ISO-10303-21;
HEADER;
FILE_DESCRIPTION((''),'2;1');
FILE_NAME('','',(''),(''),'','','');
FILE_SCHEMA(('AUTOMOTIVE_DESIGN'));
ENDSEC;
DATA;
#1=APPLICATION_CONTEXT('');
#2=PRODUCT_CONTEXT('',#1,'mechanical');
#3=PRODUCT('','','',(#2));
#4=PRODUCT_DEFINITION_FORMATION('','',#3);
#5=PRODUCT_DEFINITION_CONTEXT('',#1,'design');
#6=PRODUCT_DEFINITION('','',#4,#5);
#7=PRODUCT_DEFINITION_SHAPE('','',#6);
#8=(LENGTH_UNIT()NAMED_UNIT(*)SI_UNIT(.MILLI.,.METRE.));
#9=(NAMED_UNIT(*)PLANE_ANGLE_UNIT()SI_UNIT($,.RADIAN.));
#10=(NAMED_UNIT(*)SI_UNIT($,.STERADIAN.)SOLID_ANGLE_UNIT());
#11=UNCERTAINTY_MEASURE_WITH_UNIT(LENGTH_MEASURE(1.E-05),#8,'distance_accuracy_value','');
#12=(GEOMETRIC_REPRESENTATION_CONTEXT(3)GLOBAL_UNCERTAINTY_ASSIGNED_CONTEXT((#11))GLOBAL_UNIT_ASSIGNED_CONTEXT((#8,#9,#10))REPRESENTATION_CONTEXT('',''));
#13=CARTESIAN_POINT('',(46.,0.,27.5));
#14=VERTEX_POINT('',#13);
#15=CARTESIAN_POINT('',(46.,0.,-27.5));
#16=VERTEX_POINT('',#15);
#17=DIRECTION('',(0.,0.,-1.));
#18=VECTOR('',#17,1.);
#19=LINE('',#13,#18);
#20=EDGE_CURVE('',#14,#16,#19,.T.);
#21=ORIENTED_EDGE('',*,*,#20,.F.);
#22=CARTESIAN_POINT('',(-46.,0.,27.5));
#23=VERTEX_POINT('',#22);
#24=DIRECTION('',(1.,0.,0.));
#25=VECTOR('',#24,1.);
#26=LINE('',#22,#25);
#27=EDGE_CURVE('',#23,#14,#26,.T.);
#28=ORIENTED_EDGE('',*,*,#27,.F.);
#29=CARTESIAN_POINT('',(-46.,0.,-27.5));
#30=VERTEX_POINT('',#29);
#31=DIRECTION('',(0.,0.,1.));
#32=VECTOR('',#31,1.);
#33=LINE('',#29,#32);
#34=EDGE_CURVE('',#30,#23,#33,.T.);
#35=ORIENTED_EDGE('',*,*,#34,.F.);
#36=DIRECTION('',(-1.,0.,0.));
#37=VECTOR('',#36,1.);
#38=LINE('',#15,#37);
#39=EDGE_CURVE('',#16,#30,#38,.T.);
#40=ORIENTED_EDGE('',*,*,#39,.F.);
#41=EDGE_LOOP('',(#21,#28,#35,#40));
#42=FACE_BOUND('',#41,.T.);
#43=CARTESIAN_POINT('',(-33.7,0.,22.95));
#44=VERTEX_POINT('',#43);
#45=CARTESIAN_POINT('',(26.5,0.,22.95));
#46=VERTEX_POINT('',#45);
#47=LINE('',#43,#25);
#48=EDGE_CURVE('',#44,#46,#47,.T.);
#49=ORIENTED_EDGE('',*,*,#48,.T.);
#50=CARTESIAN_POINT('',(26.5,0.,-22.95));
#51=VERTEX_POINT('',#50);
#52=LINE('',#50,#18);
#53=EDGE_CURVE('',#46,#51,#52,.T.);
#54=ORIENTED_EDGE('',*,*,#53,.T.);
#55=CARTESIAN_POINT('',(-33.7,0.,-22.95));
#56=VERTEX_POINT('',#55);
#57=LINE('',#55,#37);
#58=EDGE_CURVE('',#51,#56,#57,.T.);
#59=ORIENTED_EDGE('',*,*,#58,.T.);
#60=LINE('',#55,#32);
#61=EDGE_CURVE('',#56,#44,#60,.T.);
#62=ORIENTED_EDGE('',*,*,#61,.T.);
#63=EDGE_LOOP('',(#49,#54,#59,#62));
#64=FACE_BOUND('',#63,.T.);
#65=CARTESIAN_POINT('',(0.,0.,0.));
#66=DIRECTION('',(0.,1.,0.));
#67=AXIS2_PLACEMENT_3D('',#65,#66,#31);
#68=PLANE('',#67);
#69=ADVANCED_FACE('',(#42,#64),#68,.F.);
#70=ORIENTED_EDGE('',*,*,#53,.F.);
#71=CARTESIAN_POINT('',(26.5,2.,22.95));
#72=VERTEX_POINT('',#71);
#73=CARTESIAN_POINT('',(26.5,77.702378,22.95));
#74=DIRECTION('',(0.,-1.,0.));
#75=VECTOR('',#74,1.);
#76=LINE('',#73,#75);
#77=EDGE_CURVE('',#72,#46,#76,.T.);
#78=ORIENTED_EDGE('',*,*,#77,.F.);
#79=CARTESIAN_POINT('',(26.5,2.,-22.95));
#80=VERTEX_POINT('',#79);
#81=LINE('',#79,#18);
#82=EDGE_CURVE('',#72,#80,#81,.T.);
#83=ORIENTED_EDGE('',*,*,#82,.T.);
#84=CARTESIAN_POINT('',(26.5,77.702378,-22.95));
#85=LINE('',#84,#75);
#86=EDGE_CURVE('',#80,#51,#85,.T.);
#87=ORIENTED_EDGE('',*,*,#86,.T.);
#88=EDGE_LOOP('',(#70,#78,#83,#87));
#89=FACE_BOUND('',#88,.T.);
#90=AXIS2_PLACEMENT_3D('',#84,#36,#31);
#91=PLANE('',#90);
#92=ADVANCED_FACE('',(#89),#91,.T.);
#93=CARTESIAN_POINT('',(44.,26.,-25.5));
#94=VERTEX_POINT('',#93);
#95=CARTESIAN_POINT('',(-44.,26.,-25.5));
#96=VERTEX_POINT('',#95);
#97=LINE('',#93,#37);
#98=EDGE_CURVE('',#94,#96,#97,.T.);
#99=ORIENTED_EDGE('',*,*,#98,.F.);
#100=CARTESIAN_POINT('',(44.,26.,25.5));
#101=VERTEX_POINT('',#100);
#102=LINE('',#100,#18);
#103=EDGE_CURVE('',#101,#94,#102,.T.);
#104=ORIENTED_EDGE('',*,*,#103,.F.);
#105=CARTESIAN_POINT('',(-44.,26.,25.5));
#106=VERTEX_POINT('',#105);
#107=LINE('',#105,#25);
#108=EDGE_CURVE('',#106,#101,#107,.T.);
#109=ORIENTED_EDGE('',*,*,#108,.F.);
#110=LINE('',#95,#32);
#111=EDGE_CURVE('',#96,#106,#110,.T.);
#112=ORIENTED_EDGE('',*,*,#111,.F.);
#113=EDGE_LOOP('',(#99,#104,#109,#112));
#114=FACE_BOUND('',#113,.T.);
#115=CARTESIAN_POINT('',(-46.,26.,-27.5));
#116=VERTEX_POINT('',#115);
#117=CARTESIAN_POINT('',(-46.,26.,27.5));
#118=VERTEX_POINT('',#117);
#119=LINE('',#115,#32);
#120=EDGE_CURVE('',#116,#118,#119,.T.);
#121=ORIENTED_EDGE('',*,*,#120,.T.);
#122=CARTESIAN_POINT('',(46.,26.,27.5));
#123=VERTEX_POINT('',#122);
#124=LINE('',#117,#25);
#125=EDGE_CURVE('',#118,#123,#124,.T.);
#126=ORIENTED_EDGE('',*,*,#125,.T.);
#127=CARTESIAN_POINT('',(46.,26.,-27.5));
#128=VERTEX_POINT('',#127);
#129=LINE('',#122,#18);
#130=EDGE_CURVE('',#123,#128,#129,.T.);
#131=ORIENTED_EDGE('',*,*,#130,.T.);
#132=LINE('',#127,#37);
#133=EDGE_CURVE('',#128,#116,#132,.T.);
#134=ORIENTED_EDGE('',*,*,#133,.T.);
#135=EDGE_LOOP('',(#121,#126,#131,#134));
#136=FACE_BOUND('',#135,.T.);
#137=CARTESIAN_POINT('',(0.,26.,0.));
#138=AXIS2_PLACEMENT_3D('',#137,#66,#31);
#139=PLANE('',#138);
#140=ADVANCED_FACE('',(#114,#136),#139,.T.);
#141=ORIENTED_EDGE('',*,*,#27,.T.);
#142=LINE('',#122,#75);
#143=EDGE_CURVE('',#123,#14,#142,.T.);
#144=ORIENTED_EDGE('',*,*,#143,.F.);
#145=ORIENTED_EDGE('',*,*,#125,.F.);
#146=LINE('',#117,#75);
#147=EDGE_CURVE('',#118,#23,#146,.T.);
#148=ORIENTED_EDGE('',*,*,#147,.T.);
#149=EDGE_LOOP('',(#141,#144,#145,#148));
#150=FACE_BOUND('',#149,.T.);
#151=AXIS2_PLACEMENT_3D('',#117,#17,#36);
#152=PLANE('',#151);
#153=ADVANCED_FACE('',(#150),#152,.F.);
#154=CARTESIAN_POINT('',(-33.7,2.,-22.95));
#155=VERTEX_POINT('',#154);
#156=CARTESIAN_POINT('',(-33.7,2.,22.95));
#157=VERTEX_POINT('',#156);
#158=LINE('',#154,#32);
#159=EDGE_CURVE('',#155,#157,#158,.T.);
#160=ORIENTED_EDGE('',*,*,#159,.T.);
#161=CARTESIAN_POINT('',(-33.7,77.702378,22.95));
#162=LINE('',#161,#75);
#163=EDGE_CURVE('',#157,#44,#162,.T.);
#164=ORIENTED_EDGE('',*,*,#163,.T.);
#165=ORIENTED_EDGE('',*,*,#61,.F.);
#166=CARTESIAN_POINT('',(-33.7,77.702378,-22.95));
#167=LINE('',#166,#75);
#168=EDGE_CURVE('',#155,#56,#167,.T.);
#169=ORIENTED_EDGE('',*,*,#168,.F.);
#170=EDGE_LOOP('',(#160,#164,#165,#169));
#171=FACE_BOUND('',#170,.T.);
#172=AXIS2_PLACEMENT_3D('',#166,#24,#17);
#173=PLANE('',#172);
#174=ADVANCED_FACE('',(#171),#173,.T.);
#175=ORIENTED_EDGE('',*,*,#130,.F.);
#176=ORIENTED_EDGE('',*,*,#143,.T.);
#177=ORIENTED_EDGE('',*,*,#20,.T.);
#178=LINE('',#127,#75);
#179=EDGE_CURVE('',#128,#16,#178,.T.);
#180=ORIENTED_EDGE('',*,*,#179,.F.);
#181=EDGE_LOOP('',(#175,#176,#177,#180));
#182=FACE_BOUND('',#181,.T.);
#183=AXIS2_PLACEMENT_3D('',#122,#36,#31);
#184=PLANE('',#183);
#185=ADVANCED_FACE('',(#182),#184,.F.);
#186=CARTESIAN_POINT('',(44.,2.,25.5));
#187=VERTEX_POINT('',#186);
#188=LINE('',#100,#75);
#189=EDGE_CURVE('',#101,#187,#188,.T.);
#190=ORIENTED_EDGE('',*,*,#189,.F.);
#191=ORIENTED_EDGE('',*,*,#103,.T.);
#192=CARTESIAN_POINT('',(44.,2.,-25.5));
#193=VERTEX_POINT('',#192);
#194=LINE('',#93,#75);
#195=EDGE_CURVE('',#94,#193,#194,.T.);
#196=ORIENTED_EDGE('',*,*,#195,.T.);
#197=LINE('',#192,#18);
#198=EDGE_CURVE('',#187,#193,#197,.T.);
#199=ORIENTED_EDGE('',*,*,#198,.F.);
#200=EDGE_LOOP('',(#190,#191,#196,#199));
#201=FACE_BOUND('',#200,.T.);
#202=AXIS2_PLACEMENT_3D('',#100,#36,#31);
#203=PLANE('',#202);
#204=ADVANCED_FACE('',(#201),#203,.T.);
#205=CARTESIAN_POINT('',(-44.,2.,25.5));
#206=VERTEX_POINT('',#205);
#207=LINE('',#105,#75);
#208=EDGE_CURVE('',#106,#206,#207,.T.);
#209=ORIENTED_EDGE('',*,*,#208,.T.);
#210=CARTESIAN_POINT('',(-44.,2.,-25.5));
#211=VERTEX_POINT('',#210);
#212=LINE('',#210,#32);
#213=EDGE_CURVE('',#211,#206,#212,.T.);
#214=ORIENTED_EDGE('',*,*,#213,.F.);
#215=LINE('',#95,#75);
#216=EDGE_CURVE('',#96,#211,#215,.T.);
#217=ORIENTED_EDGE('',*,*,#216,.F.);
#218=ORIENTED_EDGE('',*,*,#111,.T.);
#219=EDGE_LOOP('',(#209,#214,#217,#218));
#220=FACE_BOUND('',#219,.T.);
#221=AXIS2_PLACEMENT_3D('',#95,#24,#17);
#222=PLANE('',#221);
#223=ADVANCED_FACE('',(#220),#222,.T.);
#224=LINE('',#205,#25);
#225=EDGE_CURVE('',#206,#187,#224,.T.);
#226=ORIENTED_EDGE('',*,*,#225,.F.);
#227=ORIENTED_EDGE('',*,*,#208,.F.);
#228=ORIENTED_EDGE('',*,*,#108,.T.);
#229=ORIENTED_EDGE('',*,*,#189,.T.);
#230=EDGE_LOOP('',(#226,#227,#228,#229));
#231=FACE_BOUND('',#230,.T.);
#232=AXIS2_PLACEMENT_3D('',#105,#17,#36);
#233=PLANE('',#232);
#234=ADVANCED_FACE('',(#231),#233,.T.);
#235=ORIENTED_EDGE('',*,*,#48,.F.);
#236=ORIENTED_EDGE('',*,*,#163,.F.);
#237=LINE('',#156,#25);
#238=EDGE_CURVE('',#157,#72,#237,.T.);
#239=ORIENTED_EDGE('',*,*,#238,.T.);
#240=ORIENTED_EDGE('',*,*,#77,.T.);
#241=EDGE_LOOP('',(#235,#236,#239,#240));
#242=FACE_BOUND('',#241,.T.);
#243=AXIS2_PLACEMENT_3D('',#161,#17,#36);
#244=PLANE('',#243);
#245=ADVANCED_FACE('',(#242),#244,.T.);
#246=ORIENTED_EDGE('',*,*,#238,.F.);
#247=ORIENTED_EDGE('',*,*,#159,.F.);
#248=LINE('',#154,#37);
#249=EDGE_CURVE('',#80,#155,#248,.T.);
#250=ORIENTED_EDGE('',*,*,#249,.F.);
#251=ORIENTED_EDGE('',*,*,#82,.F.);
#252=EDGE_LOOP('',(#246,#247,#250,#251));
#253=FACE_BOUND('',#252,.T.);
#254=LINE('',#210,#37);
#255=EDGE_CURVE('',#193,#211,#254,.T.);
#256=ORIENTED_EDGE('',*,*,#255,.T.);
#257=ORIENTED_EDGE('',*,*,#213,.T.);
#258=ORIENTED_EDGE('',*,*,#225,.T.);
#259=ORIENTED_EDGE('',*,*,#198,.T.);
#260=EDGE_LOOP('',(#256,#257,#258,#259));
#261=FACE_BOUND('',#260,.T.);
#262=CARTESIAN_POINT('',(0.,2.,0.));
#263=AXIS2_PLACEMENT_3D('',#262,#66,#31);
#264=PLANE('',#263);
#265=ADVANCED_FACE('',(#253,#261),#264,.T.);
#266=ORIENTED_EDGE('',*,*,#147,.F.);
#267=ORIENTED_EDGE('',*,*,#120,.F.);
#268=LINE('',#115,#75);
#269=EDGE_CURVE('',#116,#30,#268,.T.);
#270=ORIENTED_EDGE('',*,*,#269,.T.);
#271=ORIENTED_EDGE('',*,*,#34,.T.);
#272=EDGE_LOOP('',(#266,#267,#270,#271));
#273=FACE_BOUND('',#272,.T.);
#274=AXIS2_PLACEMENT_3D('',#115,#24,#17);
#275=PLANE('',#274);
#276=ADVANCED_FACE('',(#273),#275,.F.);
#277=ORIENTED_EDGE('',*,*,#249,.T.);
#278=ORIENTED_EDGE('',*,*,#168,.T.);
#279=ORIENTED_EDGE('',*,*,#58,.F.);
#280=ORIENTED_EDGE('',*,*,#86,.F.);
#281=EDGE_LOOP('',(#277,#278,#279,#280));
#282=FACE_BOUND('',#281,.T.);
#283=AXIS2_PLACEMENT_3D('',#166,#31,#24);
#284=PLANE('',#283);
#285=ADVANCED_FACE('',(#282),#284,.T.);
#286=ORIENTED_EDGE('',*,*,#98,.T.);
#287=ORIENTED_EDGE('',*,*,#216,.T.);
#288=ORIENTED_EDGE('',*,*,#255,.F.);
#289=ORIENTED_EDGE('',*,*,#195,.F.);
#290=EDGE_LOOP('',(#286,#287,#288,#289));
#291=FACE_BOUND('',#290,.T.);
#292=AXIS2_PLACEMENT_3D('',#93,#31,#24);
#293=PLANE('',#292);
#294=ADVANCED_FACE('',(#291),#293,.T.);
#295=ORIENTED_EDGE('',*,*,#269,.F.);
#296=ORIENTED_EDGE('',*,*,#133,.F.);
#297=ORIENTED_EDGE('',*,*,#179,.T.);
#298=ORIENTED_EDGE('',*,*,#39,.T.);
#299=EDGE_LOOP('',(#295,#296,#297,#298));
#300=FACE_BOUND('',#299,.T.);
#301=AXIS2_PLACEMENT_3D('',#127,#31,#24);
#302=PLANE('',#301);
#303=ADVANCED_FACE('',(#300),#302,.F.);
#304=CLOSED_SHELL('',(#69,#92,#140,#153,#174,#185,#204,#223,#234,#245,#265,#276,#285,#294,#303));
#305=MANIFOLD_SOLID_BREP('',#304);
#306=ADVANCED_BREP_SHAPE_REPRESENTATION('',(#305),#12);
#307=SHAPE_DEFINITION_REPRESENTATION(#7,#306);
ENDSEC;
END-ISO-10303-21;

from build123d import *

# Parameters (mm, degrees)
SKETCH1_W           = 88
SKETCH1_H           = 51
BOSS_EXTRUDE1_DEPTH = 2
SKETCH2_W           = 60.2
SKETCH2_H           = 45.9
CUT_EXTRUDE1_DEPTH  = 2
SKETCH3_W           = 92
SKETCH3_H           = 55
SKETCH3_W_2         = 88
SKETCH3_H_2         = 51
BOSS_EXTRUDE2_DEPTH = 26


with BuildPart() as part:
    # Sketch1 → Boss-Extrude1 (new body)
    with BuildSketch(Plane(origin=(0, 0, 0), x_dir=(1, 0, 0), z_dir=(0, 1, 0))):
        Rectangle(SKETCH1_W, SKETCH1_H)
    extrude(amount=BOSS_EXTRUDE1_DEPTH)

    # Sketch2 → Cut-Extrude1 (cut)
    with BuildSketch(Plane(origin=(0, 0, 0), x_dir=(1, 0, 0), z_dir=(0, 1, 0))):
        with Locations((-3.6, 0)):
            Rectangle(SKETCH2_W, SKETCH2_H)
    extrude(amount=CUT_EXTRUDE1_DEPTH, mode=Mode.SUBTRACT)

    # Sketch3 → Boss-Extrude2 (add)
    with BuildSketch(Plane(origin=(0, 0, 0), x_dir=(1, 0, 0), z_dir=(0, 1, 0))):
        Rectangle(SKETCH3_W, SKETCH3_H)
        Rectangle(SKETCH3_W_2, SKETCH3_H_2, mode=Mode.SUBTRACT)
    extrude(amount=BOSS_EXTRUDE2_DEPTH)


solid = part.part
